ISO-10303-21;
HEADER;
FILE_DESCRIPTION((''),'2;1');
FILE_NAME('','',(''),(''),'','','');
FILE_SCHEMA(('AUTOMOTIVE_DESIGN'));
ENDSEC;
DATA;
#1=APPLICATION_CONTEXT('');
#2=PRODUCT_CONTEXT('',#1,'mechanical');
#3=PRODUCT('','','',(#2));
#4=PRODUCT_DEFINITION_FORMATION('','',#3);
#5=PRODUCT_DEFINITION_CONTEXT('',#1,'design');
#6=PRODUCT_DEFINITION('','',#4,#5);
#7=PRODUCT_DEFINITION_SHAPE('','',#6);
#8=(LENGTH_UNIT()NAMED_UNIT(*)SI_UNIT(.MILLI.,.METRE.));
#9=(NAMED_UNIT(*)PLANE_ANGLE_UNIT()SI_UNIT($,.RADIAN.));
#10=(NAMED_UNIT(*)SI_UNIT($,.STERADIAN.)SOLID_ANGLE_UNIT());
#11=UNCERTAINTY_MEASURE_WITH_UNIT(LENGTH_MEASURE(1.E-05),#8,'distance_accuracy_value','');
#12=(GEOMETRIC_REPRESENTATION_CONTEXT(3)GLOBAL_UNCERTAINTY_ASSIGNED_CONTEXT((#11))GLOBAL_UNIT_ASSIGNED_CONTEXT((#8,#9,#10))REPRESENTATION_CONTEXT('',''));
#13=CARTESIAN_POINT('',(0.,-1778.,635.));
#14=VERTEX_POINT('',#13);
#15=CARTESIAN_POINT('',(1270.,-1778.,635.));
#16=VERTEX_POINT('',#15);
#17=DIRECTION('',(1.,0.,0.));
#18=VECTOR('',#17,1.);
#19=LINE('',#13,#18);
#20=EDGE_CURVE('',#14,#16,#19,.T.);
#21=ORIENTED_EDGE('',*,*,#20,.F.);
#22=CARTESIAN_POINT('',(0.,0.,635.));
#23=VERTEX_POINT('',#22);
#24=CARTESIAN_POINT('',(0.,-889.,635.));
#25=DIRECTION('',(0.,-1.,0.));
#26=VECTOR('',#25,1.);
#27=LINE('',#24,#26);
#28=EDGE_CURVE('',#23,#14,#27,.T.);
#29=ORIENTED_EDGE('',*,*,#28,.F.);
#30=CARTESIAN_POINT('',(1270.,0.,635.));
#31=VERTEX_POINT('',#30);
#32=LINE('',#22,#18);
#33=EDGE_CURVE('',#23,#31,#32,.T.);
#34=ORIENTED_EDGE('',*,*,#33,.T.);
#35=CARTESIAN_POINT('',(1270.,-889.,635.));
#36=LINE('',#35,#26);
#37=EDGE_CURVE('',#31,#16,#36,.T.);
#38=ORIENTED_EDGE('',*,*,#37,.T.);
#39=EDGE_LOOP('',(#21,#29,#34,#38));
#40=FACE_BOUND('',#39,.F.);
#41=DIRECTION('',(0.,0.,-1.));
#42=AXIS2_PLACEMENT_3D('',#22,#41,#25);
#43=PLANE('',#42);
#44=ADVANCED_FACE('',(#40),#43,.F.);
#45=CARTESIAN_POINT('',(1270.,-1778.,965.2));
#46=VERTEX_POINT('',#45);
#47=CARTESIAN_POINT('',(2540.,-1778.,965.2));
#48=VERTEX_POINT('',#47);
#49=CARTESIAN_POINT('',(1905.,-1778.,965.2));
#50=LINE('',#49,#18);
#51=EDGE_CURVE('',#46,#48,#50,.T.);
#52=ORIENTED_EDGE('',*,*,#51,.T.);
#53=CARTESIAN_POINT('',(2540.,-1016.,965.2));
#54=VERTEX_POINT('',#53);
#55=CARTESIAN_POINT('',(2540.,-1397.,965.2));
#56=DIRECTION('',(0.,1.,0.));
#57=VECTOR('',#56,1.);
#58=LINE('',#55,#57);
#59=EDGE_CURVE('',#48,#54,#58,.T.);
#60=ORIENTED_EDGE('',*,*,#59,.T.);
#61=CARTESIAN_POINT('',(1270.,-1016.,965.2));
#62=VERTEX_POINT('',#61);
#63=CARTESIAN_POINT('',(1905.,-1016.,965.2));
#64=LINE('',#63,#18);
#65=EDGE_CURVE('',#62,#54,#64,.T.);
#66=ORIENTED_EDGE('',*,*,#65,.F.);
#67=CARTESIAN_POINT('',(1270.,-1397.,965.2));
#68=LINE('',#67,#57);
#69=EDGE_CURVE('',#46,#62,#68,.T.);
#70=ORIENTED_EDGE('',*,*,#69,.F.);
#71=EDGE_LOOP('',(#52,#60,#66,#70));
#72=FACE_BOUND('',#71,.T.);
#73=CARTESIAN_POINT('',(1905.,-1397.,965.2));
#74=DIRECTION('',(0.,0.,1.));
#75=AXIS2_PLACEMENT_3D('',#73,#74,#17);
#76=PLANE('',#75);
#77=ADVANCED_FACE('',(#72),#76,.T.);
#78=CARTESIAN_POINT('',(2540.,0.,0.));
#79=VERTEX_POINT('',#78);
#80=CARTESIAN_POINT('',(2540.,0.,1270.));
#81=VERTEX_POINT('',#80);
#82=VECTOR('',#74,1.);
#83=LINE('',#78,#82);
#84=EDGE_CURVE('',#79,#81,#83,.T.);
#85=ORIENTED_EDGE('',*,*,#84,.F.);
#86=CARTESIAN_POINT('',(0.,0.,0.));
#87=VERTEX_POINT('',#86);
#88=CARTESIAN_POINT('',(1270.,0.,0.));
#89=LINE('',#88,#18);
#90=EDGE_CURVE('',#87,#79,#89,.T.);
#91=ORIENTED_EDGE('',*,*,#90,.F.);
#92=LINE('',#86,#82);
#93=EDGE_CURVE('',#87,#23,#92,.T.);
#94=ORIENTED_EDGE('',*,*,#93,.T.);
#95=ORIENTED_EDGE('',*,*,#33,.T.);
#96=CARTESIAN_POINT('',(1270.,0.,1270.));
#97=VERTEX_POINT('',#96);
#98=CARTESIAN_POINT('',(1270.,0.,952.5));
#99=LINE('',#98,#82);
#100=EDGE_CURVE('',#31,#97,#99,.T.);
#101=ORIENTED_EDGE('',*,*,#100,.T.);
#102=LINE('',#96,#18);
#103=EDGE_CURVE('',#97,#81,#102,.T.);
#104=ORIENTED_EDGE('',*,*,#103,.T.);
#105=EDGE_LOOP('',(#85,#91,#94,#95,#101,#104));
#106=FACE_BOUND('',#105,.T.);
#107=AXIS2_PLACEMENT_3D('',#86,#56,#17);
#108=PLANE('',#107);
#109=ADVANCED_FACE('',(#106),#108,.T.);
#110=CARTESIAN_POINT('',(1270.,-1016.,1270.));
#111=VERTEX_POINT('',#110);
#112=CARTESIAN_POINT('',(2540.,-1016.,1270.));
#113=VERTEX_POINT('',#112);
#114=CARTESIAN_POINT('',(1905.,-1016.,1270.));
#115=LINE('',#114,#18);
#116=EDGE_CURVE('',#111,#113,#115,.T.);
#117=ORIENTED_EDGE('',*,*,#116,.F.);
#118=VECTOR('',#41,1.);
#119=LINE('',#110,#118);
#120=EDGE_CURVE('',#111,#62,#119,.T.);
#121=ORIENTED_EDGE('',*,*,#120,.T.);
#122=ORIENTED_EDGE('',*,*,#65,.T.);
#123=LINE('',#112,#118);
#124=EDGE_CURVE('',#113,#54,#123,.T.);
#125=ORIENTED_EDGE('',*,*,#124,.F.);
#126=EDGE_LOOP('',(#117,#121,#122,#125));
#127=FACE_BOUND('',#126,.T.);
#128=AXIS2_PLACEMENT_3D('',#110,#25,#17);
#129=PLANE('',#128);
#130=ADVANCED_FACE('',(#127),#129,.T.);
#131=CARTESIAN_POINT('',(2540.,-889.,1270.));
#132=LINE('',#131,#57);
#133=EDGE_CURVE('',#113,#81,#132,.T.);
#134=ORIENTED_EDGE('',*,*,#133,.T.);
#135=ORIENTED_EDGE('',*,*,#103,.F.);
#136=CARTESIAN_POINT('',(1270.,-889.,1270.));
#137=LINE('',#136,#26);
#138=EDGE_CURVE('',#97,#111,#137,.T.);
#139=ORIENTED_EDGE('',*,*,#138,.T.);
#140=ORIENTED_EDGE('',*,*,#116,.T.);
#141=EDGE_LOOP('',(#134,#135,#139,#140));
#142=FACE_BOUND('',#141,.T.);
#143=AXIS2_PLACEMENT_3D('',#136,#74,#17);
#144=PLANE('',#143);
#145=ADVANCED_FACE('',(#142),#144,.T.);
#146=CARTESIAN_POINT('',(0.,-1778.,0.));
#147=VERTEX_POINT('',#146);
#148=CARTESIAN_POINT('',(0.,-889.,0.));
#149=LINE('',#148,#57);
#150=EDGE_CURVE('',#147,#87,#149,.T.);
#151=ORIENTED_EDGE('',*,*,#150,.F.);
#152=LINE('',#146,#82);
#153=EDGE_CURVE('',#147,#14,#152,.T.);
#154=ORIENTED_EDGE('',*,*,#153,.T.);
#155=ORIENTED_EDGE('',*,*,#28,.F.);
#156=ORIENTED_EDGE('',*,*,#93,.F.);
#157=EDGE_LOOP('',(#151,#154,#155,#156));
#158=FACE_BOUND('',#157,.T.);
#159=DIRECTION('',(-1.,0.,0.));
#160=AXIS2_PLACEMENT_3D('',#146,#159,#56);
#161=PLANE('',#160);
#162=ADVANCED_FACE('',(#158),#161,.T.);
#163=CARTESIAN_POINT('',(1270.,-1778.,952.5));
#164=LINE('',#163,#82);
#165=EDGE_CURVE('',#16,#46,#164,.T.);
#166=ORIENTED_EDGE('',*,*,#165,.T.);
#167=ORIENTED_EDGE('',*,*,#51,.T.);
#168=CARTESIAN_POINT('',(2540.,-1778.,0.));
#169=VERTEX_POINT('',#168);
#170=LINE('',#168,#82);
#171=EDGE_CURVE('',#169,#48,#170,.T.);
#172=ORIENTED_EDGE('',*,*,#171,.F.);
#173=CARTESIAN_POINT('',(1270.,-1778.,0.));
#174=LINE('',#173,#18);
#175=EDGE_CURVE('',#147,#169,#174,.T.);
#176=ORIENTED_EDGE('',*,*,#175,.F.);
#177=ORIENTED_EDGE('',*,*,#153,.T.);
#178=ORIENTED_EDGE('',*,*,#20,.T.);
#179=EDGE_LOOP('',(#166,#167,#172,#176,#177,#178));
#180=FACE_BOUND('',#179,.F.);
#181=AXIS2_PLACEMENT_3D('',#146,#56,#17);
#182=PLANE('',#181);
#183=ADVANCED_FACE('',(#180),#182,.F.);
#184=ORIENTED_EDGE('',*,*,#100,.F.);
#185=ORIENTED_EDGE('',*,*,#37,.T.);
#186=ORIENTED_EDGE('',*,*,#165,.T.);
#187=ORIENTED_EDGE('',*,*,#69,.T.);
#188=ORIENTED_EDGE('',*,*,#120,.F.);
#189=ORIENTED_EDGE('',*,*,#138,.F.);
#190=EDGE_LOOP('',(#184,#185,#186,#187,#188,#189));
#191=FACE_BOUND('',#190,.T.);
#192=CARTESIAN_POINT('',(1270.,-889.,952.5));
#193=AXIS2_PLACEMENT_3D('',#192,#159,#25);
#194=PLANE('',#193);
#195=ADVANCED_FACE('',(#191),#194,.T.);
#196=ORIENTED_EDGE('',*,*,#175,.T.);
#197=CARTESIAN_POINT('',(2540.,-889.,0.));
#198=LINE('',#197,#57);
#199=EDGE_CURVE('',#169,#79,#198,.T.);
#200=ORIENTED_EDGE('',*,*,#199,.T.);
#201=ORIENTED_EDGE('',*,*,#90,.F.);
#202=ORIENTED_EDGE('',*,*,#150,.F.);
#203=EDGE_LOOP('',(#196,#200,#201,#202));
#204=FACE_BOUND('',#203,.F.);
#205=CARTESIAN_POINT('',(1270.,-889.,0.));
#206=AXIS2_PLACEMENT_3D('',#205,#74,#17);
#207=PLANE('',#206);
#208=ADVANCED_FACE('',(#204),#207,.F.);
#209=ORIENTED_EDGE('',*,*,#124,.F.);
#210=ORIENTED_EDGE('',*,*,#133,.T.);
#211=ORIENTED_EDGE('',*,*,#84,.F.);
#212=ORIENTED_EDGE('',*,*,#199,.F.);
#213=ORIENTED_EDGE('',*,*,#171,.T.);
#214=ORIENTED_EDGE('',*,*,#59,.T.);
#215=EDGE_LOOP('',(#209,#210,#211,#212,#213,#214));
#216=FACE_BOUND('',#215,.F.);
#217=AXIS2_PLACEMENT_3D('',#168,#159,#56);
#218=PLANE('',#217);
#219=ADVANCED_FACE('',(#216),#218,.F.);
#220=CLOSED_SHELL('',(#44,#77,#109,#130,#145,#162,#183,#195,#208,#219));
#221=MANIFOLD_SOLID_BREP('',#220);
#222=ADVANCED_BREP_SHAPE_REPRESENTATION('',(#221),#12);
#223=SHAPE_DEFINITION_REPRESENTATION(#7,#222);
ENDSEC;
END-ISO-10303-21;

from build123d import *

# Parameters (mm, degrees)
F0_W     = 2540
F0_H     = 1778
F1_DEPTH = 1270
F2_W     = 1778
F2_H     = 635
F3_DEPTH = 1270
F4_W     = 1270
F4_H     = 762
F5_DEPTH = 304.8


with BuildPart() as f1:
    # F0 (on Top) → F1 (new body)
    with BuildSketch(Plane.XY):
        with Locations((1270, -889)):
            Rectangle(F0_W, F0_H)
    extrude(amount=F1_DEPTH)

    # F2 (on face) → F3 (cut)
    with BuildSketch(Plane(origin=(0, 0, 0), x_dir=(0, -1, 0), z_dir=(-1, 0, 0))):
        with Locations((889, 952.5)):
            Rectangle(F2_W, F2_H)
    extrude(amount=-F3_DEPTH, mode=Mode.SUBTRACT)

    # F4 (on face) → F5 (cut)
    with BuildSketch(Plane.XY.offset(1270)):
        with Locations((1905, -1397)):
            Rectangle(F4_W, F4_H)
    extrude(amount=-F5_DEPTH, mode=Mode.SUBTRACT)


solid = f1.part
